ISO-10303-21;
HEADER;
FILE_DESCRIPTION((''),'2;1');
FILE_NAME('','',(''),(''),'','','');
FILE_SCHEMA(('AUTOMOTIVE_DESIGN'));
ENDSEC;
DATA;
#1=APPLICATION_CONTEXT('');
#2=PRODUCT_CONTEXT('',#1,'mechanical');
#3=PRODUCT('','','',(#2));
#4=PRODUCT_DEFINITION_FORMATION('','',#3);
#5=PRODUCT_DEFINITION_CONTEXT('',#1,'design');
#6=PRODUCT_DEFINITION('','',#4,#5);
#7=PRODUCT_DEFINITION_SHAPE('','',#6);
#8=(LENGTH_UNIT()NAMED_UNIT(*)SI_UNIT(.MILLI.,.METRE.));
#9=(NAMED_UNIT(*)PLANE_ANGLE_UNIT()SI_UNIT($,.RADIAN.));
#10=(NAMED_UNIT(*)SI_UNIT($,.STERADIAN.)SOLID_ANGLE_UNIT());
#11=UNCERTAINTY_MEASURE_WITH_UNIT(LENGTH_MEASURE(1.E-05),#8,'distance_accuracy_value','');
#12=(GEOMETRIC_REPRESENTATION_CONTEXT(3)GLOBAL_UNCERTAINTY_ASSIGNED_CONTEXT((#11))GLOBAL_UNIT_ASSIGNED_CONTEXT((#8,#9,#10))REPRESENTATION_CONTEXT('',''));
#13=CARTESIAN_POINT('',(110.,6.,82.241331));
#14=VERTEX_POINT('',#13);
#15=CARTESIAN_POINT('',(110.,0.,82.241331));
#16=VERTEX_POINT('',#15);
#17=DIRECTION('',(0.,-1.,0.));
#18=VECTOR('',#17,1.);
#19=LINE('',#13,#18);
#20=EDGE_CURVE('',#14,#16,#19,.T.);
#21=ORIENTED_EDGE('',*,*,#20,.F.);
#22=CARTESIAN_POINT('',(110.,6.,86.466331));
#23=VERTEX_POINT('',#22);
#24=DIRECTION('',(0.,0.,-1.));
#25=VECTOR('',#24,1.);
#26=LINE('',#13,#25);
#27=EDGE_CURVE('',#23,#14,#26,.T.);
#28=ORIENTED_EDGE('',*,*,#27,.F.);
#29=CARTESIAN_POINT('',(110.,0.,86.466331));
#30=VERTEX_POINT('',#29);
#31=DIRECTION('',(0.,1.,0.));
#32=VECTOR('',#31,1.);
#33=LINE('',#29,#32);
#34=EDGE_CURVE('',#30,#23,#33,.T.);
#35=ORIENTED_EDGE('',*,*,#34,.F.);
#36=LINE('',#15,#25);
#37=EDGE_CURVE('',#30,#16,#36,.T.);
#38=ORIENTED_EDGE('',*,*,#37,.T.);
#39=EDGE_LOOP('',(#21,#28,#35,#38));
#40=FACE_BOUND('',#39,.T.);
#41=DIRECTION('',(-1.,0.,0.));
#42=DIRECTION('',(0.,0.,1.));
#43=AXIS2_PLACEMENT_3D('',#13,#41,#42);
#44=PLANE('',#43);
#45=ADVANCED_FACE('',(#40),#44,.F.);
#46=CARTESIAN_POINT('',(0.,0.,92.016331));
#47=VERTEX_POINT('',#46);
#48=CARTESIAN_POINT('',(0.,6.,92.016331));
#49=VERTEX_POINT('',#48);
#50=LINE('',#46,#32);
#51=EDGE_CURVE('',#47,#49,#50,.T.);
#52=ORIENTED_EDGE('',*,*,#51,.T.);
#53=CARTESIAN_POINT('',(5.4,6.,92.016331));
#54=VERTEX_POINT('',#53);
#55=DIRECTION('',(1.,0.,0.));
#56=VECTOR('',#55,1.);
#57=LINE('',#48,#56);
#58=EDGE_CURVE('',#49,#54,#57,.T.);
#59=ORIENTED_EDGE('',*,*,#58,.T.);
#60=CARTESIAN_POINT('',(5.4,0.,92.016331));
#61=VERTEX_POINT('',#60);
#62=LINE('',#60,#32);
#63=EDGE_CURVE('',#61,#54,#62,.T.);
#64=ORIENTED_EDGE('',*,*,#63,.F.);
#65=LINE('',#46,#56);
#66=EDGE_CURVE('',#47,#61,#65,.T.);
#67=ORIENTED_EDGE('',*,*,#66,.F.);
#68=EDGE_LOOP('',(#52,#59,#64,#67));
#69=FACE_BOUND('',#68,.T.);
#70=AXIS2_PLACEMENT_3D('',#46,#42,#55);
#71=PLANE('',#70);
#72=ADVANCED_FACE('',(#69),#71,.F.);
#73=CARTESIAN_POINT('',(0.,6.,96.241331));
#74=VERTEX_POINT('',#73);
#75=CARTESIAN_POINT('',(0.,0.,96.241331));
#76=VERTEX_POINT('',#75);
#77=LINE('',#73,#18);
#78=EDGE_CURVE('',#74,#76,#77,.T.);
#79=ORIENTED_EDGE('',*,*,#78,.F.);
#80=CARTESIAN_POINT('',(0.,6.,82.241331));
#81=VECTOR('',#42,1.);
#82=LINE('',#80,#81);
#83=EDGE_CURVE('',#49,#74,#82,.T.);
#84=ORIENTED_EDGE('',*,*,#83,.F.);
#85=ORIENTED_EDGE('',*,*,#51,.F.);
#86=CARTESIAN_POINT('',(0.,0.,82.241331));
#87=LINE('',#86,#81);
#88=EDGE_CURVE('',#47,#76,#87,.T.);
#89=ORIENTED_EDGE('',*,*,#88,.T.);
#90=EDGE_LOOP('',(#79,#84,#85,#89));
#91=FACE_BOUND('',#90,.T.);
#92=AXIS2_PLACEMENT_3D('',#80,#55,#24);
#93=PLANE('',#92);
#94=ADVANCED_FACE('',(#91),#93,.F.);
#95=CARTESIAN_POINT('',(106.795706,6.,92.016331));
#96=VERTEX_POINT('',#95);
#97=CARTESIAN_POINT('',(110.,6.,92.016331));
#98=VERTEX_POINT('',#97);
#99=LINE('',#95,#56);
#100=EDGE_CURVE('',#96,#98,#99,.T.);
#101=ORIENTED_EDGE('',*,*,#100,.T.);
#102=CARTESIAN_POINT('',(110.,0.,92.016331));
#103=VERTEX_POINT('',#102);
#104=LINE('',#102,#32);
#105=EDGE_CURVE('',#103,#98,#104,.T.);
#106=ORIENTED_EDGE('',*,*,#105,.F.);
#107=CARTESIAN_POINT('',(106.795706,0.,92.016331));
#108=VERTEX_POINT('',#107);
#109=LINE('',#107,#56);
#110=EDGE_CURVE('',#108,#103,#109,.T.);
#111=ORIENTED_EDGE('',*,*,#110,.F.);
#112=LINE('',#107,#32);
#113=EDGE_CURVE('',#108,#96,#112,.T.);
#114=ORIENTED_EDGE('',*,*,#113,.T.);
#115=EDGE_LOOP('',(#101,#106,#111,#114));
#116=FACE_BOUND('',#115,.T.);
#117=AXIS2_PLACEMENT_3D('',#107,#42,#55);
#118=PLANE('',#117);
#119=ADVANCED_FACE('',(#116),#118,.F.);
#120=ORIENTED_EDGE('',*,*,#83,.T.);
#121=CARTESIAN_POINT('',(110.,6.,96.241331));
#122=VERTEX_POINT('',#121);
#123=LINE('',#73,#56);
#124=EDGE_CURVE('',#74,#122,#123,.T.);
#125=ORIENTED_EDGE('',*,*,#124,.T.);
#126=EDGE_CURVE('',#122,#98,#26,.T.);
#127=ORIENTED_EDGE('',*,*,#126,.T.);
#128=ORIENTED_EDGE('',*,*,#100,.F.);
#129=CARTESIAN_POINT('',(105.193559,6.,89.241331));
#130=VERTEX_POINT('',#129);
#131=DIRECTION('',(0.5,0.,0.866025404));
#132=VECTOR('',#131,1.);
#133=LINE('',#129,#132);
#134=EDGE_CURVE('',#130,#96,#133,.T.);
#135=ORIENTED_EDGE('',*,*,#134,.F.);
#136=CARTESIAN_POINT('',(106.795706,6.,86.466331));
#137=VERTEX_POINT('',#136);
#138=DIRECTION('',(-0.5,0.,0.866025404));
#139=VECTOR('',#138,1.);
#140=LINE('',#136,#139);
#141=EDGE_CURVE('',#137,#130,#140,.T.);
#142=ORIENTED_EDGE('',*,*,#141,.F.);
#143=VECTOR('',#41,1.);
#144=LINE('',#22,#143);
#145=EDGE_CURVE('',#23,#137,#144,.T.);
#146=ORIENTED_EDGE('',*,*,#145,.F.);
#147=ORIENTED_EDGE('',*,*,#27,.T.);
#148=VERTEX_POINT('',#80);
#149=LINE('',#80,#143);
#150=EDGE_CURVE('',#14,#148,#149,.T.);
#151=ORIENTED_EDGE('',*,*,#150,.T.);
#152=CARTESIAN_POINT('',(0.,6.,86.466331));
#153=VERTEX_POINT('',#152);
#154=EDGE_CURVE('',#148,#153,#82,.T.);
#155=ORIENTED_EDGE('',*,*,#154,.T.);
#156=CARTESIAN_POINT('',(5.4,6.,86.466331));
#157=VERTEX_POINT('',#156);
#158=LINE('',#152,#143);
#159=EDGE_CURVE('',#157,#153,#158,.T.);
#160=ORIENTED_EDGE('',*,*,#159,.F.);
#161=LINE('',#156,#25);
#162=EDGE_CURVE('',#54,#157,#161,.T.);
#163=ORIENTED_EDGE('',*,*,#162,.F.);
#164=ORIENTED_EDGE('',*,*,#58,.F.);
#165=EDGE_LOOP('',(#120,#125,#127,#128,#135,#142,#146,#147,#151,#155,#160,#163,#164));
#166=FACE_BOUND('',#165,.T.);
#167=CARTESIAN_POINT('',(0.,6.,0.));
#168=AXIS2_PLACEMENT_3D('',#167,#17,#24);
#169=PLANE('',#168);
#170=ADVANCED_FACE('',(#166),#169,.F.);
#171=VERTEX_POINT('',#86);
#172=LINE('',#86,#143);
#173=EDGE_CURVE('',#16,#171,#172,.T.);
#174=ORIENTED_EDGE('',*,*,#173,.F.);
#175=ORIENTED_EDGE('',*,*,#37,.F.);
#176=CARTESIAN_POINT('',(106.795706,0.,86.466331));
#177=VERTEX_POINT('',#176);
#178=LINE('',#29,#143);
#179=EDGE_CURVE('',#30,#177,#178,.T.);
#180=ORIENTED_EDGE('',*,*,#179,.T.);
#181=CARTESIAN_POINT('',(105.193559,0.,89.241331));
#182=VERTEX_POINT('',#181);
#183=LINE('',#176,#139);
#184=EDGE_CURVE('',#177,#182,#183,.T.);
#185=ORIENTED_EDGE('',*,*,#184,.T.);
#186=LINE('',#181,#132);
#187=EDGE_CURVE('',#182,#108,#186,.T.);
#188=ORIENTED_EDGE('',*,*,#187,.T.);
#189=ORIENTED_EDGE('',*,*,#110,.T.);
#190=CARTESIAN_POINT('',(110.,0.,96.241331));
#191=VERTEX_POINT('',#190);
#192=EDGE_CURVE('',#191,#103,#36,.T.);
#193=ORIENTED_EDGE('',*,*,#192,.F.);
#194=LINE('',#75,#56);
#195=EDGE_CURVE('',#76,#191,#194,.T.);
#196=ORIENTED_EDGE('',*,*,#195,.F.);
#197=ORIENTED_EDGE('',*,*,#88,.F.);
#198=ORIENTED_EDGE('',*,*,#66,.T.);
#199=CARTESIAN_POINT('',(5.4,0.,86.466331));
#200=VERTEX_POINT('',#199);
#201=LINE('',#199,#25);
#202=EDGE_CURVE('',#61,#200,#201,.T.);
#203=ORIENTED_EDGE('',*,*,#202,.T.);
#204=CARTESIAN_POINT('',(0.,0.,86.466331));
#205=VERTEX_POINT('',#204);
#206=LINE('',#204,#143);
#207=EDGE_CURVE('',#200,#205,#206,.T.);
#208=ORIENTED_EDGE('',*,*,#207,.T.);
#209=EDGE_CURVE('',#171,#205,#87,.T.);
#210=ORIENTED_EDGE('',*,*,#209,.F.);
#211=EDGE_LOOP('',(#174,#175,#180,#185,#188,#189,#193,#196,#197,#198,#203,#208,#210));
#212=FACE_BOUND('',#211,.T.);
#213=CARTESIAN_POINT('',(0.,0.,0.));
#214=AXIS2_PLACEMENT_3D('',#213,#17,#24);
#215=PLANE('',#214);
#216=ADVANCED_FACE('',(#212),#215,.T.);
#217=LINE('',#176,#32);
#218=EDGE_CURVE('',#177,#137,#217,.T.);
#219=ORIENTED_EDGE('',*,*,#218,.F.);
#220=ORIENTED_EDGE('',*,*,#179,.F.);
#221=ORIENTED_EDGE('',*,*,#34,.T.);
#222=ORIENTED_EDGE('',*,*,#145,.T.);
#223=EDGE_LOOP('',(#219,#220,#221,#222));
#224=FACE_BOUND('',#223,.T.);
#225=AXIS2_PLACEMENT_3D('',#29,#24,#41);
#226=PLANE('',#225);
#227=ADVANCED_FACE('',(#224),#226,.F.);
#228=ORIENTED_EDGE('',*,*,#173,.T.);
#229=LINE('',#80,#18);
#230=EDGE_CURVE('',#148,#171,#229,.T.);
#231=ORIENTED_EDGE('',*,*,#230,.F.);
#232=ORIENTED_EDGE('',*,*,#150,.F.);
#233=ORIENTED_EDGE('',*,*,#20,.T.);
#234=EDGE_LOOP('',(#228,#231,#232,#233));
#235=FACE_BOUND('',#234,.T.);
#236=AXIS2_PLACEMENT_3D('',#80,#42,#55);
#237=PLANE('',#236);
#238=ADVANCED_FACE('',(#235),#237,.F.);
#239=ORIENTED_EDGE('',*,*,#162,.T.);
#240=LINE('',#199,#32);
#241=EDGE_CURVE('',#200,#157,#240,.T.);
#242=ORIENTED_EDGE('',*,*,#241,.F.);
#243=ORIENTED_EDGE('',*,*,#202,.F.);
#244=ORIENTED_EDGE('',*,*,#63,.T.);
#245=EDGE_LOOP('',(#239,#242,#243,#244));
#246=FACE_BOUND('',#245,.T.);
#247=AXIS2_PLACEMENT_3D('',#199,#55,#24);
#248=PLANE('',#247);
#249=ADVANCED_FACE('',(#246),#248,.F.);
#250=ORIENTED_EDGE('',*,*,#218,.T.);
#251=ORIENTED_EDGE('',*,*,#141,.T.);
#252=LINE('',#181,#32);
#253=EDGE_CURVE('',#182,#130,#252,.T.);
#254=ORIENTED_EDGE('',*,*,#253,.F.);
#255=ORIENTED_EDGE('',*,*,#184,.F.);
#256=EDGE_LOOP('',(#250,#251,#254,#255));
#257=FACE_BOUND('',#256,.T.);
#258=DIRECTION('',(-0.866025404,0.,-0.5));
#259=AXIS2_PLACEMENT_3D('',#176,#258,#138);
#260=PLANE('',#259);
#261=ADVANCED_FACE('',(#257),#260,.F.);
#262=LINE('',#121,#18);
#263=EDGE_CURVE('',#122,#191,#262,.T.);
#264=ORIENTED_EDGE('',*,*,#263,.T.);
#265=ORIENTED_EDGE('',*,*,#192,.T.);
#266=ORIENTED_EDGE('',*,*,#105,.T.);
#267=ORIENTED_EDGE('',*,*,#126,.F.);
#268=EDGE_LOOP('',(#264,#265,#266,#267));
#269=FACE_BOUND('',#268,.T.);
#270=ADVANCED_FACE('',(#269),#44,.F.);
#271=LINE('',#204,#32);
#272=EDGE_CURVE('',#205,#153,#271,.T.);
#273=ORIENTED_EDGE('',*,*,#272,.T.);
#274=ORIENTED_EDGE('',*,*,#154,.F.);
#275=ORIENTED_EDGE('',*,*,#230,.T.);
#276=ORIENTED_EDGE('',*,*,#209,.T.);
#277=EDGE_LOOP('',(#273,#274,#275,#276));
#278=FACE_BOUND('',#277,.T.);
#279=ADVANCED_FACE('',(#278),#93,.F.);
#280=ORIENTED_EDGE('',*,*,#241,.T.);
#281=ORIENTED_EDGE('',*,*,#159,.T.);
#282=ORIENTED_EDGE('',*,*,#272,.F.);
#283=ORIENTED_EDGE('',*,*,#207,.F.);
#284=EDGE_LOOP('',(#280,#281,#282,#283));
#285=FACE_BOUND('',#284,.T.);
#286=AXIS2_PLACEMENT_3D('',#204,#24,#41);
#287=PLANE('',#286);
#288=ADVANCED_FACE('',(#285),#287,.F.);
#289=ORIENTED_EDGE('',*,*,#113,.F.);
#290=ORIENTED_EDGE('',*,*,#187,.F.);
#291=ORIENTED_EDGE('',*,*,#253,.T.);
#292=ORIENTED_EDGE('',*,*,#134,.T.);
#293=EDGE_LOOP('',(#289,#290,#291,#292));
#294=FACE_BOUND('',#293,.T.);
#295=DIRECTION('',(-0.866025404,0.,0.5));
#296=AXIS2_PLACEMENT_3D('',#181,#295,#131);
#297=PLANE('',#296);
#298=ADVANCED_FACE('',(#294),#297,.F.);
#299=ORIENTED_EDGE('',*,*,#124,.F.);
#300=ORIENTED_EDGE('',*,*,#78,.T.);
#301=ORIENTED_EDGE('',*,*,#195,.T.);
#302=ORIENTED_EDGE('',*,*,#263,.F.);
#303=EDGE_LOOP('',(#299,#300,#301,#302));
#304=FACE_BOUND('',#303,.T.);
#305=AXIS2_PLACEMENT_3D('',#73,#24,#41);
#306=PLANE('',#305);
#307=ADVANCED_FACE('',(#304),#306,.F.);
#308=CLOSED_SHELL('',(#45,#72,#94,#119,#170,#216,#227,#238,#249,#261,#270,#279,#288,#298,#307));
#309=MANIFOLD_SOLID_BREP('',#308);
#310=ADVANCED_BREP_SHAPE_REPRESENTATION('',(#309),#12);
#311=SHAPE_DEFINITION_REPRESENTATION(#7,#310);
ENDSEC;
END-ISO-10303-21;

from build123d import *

# Parameters (mm, degrees)
SZKIC1_W                    = 110
SZKIC1_H                    = 14
DODANIE_WYCI_GNI_CIE1_DEPTH = 6
SZKIC2_W                    = 5.4
SZKIC2_H                    = 5.55
WYTNIJ_WYCI_GNI_CIE1_DEPTH  = 6
WYTNIJ_WYCI_GNI_CIE2_DEPTH  = 6


with BuildPart() as part:
    # Szkic1 → Dodanie-wyciągnięcie1 (new body)
    with BuildSketch(Plane(origin=(0, 0, 0), x_dir=(1, 0, 0), z_dir=(0, 1, 0))):
        with Locations((55, -89.241330813)):
            Rectangle(SZKIC1_W, SZKIC1_H)
    extrude(amount=DODANIE_WYCI_GNI_CIE1_DEPTH)

    # Szkic2 → Wytnij-wyciągnięcie1 (cut)
    with BuildSketch(Plane(origin=(0, 6, 0), x_dir=(1, 0, 0), z_dir=(0, 1, 0))):
        with Locations((2.7, -89.241330813)):
            Rectangle(SZKIC2_W, SZKIC2_H)
    extrude(amount=-WYTNIJ_WYCI_GNI_CIE1_DEPTH, mode=Mode.SUBTRACT)

    # Szkic3 → Wytnij-wyciągnięcie2 (cut)
    with BuildSketch(Plane(origin=(0, 6, 0), x_dir=(1, 0, 0), z_dir=(0, 1, 0))):
        Polygon((106.795706006, -92.016330813), (110, -92.016330813), (111.602146997, -89.241330813), (110, -86.466330813), (106.795706006, -86.466330813), (105.193559009, -89.241330813), align=None)
    extrude(amount=-WYTNIJ_WYCI_GNI_CIE2_DEPTH, mode=Mode.SUBTRACT)


solid = part.part
